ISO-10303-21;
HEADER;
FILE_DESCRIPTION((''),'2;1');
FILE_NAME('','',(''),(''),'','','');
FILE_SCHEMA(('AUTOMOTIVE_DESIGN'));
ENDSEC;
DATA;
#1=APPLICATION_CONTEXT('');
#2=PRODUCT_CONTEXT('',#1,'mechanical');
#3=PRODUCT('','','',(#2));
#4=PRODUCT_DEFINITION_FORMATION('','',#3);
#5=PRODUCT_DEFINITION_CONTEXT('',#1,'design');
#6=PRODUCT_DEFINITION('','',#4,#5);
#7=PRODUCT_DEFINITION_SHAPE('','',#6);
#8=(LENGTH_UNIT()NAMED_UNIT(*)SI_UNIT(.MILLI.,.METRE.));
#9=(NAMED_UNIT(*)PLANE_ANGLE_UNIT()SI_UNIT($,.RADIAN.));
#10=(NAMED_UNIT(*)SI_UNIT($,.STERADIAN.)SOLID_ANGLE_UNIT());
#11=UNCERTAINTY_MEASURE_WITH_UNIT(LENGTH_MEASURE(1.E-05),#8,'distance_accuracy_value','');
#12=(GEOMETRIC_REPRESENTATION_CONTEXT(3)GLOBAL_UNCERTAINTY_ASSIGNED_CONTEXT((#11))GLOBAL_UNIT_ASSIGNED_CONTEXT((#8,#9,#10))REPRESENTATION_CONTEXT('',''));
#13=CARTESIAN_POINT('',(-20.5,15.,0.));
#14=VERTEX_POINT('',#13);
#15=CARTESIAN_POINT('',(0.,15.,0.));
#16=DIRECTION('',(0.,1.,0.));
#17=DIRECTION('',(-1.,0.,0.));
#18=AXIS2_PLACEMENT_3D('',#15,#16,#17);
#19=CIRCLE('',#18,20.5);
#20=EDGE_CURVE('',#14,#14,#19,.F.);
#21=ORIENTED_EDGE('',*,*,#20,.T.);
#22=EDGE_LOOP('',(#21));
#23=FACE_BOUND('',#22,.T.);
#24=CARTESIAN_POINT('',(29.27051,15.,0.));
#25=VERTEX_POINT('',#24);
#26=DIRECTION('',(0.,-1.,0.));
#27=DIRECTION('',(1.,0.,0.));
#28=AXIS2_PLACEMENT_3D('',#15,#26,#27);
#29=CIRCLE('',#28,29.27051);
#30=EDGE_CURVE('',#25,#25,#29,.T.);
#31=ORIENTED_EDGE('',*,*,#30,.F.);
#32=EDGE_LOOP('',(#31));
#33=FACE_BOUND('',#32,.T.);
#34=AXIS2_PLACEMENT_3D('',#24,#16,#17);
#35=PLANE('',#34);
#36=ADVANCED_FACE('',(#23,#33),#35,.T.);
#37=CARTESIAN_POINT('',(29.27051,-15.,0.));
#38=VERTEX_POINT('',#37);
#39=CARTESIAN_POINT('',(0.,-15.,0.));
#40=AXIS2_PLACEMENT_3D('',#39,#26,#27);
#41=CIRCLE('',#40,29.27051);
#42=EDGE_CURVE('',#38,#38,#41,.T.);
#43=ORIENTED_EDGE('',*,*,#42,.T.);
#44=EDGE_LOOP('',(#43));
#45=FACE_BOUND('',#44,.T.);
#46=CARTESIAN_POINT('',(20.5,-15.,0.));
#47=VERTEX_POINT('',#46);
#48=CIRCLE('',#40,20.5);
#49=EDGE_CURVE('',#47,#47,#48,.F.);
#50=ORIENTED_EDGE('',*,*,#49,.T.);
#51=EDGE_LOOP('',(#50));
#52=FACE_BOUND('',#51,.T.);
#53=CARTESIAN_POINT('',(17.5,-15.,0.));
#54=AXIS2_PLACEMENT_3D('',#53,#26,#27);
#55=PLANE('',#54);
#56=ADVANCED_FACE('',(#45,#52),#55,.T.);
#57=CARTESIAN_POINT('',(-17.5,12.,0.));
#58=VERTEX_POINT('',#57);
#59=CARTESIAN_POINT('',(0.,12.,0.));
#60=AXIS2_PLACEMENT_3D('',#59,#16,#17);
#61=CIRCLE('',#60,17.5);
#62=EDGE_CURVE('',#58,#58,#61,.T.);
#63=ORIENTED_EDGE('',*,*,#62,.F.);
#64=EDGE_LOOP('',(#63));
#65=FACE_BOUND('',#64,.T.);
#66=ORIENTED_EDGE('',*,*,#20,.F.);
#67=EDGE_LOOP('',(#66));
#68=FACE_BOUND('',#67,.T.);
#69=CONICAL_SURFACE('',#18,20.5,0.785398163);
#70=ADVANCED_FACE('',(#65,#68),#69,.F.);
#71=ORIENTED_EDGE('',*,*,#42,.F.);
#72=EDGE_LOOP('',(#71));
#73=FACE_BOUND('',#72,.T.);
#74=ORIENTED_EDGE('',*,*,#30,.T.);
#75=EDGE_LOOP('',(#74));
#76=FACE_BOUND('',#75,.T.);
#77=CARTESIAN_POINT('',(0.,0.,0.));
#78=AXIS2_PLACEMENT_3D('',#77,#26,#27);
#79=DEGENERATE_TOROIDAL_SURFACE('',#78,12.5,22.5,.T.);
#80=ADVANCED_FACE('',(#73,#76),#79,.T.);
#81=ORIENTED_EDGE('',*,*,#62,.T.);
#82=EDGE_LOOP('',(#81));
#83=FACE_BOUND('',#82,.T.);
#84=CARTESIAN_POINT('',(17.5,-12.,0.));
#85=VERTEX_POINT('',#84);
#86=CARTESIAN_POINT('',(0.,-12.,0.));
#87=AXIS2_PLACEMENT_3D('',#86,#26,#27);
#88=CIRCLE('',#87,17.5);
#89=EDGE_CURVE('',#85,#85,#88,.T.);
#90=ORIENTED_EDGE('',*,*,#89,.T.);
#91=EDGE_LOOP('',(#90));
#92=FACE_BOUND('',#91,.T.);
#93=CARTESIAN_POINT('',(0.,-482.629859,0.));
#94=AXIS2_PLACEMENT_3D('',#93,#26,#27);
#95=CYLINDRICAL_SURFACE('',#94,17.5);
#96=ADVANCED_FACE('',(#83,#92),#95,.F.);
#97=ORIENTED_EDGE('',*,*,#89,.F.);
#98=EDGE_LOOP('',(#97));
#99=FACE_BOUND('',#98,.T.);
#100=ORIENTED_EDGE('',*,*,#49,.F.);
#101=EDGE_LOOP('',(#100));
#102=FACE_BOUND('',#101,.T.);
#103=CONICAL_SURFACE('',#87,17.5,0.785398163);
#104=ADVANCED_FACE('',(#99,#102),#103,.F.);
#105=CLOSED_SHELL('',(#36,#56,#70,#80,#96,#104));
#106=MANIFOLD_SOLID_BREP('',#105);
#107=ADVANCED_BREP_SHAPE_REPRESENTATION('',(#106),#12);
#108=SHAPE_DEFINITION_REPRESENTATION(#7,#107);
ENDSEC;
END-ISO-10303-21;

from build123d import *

# Parameters (mm, degrees)
CHAMFER1_SIZE = 3


with BuildPart() as part:
    # Sketch1 → Revolve1 (revolve)
    with BuildSketch(Plane.XY):
        with BuildLine():
            Line((29.270509831, 15), (17.5, 15))
            Line((17.5, 15), (17.5, -15))
            Line((17.5, -15), (29.270509831, -15))
            ThreePointArc((29.270509831, -15), (35, 0), (29.270509831, 15))
        make_face()
    revolve(axis=Axis((0, -482.629858818, 0), (0, 1, 0)))

    # Chamfer1
    chamfer1_edges = [part.edges().sort_by_distance(p)[0] for p in [
        (-17.5, 15, 0),
        (-17.5, -15, 0),
    ]]
    chamfer(chamfer1_edges, length=CHAMFER1_SIZE)


solid = part.part
